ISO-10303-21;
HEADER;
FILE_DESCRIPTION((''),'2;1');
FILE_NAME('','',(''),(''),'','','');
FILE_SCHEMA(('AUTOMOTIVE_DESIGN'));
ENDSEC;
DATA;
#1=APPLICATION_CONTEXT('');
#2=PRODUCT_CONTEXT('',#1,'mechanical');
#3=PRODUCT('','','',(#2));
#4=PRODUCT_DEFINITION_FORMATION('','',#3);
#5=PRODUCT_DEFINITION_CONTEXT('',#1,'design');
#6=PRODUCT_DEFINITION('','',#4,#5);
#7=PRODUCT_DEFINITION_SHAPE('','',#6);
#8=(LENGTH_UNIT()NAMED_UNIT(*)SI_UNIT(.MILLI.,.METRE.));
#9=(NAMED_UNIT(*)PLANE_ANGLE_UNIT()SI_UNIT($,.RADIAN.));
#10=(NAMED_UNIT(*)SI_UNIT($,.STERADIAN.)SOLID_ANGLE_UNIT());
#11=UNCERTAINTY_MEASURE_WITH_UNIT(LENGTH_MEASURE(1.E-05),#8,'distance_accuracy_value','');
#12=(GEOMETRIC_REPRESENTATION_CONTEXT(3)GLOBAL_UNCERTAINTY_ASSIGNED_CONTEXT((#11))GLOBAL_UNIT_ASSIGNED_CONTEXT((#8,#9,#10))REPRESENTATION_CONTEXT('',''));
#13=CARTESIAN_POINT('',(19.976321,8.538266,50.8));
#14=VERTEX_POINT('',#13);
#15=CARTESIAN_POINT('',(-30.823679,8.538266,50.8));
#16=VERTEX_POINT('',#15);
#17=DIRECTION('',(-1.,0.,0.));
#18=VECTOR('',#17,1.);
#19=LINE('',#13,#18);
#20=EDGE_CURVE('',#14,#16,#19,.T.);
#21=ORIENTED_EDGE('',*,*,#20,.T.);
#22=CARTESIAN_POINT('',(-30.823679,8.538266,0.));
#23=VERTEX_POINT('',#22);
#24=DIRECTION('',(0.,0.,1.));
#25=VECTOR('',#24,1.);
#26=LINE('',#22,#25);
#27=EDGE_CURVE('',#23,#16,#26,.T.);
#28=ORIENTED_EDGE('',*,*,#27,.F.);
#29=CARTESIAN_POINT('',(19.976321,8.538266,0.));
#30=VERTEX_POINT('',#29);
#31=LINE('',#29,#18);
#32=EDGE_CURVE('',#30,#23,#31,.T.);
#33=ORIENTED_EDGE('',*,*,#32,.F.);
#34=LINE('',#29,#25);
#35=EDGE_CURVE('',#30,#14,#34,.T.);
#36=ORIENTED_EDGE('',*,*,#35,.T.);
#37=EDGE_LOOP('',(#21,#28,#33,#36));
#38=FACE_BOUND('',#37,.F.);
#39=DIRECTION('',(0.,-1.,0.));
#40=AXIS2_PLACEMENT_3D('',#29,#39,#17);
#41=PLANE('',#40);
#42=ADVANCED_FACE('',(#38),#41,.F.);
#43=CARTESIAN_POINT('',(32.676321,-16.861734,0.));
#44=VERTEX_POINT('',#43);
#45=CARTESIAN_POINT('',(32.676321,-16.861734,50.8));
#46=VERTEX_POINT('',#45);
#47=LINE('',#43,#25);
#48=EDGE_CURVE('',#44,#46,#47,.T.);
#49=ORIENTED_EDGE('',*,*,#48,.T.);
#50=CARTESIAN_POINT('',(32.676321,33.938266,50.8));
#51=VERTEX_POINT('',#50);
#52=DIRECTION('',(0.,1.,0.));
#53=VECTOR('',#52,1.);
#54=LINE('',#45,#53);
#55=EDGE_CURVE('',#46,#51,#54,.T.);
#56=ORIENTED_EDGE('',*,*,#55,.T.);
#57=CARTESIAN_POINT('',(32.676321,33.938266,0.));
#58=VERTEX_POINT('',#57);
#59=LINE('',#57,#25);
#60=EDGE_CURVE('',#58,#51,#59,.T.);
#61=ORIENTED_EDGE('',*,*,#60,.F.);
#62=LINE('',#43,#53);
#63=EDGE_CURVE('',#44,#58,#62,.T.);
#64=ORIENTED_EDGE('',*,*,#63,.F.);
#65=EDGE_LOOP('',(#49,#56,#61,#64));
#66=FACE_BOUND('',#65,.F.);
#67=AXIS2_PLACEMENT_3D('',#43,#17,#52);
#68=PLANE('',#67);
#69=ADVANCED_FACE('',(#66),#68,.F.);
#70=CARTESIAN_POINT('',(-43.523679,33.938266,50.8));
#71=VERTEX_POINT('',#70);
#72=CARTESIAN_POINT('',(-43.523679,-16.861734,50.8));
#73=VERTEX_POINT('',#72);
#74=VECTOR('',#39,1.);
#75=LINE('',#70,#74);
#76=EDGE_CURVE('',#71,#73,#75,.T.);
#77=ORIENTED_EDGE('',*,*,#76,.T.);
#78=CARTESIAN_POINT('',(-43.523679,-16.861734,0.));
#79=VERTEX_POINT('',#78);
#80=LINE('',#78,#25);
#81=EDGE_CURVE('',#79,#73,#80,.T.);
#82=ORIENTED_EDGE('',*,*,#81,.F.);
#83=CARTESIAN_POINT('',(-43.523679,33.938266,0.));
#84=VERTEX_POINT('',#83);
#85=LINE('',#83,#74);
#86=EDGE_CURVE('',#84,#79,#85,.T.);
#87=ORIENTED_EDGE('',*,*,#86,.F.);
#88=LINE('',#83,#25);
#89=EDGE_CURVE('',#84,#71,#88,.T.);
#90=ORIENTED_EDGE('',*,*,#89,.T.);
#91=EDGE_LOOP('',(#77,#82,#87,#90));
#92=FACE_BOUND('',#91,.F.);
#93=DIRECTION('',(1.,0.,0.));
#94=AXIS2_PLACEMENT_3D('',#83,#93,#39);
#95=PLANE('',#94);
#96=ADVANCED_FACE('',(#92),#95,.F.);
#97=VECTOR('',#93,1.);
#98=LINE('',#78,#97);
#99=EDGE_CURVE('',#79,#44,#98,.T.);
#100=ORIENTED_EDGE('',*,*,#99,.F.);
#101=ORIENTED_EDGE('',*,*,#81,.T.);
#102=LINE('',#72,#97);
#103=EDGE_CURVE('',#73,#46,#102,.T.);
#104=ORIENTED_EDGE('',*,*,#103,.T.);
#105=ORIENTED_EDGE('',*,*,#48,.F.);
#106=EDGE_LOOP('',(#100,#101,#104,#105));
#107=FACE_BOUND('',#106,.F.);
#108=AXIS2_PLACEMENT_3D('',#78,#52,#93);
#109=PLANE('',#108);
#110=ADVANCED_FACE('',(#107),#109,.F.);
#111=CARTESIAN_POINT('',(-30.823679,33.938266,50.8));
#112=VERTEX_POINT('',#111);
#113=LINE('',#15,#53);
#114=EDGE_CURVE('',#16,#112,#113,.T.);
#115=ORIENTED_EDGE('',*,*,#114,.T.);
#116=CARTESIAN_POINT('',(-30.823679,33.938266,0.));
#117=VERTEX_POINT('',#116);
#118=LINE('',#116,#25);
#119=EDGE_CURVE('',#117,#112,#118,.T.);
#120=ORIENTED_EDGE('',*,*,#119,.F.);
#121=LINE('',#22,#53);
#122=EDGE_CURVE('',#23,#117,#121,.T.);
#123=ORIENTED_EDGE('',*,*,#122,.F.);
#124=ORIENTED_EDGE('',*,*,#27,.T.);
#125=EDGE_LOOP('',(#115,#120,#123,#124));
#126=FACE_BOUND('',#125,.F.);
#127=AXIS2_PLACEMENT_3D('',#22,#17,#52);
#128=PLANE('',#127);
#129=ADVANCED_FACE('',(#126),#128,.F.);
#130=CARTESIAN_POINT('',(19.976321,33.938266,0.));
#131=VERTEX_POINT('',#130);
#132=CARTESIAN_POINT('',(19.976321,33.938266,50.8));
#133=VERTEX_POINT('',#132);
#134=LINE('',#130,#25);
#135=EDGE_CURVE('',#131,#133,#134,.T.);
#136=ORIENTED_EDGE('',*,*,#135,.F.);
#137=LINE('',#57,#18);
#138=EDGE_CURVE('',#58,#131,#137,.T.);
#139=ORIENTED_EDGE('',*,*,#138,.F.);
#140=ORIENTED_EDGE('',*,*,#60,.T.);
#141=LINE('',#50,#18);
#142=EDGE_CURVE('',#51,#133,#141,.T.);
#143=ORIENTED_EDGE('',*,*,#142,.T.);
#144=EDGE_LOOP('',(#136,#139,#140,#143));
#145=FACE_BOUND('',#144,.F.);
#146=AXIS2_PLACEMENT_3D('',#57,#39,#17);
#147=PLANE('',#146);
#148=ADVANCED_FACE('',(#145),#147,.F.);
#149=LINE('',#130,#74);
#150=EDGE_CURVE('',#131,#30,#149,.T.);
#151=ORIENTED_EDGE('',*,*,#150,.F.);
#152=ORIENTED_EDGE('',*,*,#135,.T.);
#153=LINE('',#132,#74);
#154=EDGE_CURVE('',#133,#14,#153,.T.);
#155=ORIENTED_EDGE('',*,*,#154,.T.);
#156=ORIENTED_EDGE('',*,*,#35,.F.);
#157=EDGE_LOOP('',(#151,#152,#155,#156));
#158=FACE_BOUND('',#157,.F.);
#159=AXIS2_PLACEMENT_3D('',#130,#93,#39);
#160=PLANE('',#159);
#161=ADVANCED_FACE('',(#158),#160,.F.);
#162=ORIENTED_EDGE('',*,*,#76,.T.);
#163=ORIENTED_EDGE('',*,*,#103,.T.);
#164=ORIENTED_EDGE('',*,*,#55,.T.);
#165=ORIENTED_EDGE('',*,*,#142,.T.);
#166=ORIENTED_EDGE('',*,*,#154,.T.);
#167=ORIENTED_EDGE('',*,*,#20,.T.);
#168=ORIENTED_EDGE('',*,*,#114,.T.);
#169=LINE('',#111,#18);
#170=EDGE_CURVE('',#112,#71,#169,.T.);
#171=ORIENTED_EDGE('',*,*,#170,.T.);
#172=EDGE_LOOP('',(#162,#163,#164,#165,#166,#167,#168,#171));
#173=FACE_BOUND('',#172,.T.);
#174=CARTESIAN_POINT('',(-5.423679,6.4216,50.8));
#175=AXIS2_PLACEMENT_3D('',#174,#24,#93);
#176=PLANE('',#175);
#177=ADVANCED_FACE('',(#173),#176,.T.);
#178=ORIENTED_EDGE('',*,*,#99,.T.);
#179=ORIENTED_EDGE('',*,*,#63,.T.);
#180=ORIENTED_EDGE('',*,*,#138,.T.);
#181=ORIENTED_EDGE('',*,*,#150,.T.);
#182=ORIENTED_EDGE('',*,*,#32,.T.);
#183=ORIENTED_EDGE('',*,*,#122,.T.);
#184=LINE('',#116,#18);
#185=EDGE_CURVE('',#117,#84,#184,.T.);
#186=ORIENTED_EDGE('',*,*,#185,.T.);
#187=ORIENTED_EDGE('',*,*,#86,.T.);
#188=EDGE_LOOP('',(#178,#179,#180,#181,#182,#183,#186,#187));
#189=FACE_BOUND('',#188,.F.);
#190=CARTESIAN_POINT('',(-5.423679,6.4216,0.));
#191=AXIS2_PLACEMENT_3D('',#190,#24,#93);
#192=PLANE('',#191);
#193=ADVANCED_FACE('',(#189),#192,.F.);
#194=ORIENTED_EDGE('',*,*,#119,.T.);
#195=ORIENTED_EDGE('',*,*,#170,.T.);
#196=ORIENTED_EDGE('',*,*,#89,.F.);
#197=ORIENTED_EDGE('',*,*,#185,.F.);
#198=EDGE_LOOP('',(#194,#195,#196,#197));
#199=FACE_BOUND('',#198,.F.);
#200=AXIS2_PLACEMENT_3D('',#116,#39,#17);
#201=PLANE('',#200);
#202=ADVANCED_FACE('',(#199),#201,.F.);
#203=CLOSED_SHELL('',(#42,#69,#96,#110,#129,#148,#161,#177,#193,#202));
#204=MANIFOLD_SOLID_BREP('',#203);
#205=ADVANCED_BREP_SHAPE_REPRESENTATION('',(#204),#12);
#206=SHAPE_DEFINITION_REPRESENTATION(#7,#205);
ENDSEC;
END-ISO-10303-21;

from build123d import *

# Parameters (mm, degrees)
BOSS_EXTRUDE1_DEPTH = 50.8


with BuildPart() as part:
    # Sketch1 → Boss-Extrude1 (new body)
    with BuildSketch(Plane.XY):
        Polygon((-43.523678647, 33.938266385), (-43.523678647, -16.861733615), (32.676321353, -16.861733615), (32.676321353, 33.938266385), (19.976321353, 33.938266385), (19.976321353, 8.538266385), (-30.823678647, 8.538266385), (-30.823678647, 33.938266385), align=None)
    extrude(amount=BOSS_EXTRUDE1_DEPTH)


solid = part.part
